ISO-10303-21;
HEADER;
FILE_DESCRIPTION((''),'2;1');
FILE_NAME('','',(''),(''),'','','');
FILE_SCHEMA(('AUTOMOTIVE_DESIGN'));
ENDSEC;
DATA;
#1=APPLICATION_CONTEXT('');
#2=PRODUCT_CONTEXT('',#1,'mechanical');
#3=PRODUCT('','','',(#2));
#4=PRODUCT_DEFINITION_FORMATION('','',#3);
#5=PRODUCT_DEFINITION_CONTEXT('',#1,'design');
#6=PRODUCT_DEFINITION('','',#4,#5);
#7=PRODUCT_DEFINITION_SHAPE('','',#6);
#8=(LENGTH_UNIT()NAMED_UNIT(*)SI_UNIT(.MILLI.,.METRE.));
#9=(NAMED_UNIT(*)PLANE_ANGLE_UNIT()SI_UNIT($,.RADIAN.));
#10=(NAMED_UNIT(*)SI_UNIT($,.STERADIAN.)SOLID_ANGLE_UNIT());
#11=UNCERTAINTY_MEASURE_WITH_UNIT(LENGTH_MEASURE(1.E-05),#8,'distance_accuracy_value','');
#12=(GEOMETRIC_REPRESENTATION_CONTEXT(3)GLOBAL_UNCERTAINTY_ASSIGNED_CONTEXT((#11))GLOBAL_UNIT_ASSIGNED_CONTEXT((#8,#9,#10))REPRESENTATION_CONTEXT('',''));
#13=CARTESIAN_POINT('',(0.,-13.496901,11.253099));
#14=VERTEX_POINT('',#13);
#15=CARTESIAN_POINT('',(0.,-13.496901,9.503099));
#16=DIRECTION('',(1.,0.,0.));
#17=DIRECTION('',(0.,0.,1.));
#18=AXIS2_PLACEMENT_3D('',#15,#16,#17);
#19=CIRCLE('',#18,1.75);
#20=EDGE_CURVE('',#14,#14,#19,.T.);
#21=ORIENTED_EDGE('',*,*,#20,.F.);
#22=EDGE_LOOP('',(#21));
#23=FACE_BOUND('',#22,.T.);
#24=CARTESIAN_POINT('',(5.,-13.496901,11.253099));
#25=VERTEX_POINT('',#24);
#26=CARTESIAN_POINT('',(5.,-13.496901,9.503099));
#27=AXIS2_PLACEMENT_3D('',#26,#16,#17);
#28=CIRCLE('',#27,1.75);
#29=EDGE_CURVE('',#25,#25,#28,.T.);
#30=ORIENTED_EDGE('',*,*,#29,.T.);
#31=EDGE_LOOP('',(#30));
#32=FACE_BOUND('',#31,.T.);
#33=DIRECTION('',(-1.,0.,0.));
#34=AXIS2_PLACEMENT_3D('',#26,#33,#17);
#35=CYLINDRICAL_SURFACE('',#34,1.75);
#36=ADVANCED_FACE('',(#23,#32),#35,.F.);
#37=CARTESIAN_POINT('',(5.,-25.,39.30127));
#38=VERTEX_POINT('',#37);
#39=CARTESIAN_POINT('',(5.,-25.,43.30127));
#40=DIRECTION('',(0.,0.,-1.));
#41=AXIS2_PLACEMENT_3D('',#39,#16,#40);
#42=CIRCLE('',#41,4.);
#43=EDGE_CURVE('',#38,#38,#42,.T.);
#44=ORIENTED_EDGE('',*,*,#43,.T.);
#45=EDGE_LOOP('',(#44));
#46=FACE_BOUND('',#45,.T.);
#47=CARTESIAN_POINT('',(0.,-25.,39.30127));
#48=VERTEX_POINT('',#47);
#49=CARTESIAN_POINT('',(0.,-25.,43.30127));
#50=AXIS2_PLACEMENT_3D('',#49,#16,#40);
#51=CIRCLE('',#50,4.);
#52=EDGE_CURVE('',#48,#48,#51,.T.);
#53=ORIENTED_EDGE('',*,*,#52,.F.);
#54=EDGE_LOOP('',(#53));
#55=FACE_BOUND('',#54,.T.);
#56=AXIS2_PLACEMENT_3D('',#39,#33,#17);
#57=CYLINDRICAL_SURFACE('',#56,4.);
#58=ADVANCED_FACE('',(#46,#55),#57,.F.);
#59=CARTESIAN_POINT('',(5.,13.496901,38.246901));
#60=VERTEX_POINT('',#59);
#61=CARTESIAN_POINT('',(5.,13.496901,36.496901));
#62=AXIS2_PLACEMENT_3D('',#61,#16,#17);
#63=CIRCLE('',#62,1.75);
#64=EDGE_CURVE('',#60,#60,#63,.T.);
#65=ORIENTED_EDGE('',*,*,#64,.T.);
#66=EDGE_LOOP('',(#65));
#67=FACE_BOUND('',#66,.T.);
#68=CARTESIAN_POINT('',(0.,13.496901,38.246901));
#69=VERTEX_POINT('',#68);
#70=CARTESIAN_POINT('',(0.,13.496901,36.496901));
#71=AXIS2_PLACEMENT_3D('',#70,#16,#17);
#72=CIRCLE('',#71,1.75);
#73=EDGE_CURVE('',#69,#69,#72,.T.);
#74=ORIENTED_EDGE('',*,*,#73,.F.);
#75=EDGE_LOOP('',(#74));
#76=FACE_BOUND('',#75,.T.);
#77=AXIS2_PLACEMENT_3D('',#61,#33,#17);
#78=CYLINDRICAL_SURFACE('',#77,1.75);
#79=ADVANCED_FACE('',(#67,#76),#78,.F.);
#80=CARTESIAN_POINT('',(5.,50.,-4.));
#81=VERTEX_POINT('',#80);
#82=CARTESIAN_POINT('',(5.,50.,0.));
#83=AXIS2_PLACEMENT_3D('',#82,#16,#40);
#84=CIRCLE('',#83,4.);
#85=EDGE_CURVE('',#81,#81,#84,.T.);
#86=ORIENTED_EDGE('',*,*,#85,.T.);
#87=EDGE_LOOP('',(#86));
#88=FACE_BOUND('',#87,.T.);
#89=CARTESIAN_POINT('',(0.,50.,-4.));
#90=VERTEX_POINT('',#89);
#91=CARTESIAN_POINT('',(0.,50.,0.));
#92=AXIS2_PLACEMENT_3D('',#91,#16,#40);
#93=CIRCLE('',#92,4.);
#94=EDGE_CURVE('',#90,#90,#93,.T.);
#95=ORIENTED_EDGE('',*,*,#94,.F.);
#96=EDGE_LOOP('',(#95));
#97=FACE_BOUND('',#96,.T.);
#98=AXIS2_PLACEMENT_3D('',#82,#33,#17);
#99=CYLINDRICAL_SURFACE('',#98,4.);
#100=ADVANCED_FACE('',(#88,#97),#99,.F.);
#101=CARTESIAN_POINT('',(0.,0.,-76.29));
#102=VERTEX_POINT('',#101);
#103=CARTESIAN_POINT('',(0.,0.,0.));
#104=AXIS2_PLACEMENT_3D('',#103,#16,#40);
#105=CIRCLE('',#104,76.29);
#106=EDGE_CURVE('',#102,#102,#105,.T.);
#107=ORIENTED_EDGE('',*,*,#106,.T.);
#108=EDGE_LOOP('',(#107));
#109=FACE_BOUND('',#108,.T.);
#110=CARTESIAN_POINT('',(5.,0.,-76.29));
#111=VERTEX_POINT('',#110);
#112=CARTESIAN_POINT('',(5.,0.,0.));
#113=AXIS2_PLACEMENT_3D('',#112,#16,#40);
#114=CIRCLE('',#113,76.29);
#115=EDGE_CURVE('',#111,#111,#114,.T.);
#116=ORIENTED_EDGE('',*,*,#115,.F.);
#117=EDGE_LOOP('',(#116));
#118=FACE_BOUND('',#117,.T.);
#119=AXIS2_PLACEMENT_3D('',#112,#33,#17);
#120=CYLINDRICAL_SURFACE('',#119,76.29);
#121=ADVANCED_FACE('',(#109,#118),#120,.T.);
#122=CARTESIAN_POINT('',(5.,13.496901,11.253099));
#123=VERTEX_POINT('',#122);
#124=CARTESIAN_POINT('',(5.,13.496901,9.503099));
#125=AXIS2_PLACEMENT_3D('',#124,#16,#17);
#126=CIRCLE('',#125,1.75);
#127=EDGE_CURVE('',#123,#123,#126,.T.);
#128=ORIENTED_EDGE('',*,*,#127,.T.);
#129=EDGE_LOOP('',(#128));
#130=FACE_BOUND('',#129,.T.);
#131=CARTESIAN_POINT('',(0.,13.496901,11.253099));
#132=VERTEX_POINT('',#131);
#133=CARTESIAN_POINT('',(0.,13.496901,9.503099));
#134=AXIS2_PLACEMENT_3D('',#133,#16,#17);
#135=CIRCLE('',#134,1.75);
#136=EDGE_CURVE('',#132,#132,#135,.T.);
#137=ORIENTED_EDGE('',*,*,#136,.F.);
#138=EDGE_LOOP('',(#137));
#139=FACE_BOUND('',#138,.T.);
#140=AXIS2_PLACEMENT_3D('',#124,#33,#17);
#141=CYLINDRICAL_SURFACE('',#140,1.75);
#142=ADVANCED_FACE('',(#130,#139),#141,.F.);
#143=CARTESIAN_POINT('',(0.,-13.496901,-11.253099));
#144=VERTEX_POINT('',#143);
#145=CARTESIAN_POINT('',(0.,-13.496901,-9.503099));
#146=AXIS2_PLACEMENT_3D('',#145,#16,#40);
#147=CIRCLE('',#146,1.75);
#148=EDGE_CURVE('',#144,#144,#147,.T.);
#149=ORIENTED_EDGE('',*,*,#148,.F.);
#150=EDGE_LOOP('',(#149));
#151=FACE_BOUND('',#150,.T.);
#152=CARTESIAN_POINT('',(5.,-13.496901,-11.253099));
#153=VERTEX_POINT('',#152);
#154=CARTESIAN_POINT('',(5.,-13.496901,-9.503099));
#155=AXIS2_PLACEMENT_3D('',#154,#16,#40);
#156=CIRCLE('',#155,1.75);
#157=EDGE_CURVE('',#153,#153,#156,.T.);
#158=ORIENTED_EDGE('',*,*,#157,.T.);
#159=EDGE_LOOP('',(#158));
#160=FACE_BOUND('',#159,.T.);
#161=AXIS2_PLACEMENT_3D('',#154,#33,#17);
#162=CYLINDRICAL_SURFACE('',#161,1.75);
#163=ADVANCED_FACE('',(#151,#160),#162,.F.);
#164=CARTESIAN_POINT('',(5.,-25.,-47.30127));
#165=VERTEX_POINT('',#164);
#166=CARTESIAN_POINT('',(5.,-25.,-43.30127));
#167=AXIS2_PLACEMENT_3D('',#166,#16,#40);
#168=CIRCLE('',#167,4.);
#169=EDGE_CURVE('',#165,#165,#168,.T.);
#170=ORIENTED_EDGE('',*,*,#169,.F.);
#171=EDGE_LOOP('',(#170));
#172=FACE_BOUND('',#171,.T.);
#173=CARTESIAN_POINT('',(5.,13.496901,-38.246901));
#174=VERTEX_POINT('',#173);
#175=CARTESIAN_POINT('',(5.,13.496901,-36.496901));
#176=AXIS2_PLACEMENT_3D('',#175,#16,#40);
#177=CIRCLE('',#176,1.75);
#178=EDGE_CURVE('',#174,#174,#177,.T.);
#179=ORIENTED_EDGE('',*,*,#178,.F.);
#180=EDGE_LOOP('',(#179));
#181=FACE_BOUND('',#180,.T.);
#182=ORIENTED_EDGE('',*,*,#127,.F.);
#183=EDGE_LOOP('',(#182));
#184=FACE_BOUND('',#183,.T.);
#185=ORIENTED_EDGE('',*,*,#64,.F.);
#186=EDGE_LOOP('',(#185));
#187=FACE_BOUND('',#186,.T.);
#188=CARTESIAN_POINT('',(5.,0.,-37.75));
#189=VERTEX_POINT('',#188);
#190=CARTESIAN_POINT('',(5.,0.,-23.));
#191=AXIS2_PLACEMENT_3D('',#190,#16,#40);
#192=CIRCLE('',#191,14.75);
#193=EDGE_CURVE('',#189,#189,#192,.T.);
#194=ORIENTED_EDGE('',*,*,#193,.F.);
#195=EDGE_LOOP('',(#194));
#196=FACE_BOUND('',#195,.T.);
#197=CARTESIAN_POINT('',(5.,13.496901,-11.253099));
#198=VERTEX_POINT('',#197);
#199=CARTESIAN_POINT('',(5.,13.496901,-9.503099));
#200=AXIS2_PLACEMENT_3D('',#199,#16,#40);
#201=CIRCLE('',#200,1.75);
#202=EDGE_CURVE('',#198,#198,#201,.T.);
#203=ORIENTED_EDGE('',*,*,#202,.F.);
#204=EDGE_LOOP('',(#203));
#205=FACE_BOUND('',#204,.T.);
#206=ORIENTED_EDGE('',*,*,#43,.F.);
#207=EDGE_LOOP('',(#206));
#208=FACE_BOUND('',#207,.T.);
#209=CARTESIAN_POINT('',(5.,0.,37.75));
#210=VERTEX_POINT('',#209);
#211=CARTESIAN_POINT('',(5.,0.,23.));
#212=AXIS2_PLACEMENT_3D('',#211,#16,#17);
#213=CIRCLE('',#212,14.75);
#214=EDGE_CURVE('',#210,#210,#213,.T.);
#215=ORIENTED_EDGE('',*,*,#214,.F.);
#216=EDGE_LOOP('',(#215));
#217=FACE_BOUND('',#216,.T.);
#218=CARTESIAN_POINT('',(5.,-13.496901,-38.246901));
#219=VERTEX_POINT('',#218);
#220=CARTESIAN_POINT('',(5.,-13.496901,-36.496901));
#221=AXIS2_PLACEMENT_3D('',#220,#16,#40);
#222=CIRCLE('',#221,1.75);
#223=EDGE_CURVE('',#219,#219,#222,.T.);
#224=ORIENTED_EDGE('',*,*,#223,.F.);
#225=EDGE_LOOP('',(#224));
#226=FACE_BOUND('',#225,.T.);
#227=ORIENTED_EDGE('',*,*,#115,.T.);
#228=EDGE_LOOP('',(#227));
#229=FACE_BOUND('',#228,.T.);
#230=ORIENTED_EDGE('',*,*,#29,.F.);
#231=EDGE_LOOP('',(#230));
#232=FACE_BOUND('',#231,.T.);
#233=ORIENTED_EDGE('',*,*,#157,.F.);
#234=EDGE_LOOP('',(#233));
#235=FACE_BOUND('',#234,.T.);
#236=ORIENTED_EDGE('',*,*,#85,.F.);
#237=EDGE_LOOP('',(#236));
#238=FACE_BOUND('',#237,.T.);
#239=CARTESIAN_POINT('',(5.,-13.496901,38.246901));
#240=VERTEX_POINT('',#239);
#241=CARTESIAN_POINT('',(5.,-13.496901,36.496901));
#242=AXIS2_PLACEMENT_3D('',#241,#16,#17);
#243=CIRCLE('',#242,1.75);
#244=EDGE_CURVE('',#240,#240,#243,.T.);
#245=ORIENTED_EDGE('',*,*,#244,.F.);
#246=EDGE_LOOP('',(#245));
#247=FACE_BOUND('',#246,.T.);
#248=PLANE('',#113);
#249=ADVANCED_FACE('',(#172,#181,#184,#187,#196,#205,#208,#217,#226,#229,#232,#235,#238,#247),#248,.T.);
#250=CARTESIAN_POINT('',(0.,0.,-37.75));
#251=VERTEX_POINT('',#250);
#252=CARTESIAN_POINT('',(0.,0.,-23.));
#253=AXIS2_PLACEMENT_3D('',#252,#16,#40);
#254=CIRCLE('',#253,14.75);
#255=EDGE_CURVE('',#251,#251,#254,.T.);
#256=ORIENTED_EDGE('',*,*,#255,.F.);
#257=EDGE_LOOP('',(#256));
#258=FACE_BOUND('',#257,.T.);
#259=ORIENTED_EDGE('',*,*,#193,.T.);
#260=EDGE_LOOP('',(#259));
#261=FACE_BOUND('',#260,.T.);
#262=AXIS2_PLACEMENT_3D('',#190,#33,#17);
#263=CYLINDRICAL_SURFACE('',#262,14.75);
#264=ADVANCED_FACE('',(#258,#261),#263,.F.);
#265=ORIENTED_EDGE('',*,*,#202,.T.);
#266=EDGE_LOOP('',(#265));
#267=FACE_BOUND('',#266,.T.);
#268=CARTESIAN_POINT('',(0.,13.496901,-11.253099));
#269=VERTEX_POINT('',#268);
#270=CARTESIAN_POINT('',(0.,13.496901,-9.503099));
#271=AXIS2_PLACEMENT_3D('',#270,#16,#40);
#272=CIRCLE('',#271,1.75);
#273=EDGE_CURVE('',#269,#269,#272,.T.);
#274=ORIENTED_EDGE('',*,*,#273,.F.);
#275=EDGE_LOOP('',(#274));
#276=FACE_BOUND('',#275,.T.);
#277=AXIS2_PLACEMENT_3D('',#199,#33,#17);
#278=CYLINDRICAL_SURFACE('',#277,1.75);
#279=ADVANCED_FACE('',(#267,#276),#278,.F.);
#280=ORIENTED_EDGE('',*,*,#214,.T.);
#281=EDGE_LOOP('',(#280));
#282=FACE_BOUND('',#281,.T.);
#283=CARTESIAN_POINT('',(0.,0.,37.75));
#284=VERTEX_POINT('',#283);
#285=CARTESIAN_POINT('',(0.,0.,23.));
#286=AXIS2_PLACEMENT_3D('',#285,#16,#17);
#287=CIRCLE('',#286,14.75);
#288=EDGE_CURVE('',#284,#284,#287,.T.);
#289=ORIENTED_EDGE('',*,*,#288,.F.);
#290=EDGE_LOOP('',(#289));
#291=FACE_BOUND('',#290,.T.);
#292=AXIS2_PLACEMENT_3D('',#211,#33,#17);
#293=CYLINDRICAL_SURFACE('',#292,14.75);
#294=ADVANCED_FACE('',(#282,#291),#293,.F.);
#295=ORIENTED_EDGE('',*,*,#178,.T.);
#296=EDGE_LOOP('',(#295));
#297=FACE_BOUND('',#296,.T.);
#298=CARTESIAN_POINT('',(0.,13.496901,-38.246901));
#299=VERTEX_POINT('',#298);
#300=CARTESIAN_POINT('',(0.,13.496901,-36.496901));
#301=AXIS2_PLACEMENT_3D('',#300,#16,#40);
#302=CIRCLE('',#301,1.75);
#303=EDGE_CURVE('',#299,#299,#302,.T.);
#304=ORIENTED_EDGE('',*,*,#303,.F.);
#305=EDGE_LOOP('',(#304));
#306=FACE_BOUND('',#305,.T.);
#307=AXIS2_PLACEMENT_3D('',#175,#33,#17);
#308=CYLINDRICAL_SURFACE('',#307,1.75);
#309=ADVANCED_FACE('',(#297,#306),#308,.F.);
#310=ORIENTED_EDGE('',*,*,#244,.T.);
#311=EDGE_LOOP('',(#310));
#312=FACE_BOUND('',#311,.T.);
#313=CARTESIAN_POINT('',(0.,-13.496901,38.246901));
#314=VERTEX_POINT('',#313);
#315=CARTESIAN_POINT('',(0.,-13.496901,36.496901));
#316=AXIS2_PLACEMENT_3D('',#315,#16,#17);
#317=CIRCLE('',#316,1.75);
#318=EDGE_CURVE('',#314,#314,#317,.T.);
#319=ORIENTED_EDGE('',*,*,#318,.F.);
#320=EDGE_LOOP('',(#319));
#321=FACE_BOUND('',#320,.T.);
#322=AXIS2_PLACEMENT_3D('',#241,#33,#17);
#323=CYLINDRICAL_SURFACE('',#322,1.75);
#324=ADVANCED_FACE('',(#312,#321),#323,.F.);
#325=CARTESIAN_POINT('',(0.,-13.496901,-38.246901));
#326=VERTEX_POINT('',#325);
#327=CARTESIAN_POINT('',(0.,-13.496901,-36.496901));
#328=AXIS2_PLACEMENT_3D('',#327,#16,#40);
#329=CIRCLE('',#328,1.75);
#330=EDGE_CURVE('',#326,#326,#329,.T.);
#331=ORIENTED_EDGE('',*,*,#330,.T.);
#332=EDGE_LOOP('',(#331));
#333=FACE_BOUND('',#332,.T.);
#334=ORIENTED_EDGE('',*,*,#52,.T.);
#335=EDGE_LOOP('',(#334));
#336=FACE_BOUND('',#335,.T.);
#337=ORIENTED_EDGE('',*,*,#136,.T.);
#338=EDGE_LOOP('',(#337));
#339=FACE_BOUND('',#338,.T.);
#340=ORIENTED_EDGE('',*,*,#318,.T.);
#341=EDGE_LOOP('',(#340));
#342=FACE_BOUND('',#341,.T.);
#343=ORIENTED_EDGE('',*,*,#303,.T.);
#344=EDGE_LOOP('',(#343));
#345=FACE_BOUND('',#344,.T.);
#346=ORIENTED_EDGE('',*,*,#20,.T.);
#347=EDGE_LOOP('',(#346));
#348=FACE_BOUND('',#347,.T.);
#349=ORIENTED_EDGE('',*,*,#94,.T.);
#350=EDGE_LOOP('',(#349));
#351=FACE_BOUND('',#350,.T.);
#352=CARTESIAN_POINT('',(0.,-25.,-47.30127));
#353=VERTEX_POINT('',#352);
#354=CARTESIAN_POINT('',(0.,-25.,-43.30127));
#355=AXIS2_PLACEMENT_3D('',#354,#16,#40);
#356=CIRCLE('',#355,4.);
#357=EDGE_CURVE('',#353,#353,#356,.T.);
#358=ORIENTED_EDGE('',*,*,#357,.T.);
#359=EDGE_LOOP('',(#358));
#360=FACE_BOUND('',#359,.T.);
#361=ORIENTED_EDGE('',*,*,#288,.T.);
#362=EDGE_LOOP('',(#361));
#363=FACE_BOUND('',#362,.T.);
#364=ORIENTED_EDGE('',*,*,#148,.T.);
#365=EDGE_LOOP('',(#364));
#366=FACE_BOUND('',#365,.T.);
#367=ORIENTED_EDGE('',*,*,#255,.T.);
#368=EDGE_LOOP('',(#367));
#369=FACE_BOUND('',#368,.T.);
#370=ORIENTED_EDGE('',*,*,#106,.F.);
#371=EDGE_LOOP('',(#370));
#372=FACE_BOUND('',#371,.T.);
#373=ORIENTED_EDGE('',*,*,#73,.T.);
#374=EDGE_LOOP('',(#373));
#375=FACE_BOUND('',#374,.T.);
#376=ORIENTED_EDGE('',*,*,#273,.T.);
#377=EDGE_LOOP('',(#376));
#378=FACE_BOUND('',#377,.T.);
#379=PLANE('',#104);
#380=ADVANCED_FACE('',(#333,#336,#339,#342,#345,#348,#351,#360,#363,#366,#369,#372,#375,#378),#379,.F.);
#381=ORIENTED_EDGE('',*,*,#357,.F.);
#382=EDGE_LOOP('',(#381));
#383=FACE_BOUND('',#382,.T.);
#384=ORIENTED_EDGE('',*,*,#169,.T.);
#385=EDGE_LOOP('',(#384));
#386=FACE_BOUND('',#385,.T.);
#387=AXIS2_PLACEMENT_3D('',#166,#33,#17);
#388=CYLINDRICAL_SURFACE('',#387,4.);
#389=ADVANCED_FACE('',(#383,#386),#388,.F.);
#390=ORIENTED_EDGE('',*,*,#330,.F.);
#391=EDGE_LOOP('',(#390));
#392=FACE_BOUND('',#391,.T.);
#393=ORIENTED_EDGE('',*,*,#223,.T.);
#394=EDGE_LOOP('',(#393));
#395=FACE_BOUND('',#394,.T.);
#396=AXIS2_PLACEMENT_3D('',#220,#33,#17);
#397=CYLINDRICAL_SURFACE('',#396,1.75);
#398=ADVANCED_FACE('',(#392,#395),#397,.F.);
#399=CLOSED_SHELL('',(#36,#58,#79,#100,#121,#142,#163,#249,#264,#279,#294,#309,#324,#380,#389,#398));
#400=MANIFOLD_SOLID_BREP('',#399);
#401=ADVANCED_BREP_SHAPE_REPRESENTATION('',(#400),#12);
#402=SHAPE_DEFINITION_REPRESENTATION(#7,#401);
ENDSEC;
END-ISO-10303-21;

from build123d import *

# Parameters (mm, degrees)
SKETCH1_R           = 76.29
SKETCH1_R_2         = 4
SKETCH1_R_3         = 14.75
SKETCH1_R_4         = 1.75
BOSS_EXTRUDE1_DEPTH = 5


with BuildPart() as part:
    # Sketch1 → Boss-Extrude1 (new body)
    with BuildSketch(Plane(origin=(0, 0, 0), x_dir=(0, 0, -1), z_dir=(1, 0, 0))):
        Circle(SKETCH1_R)
        with Locations((0, 50)):
            Circle(SKETCH1_R_2, mode=Mode.SUBTRACT)
        with Locations((43.301270189, -25)):
            Circle(SKETCH1_R_2, mode=Mode.SUBTRACT)
        with Locations((-43.301270189, -25)):
            Circle(SKETCH1_R_2, mode=Mode.SUBTRACT)
        with Locations((23, 0)):
            Circle(SKETCH1_R_3, mode=Mode.SUBTRACT)
        with Locations(Location((-23, 0, 0), (0, 0, 180))):
            Circle(SKETCH1_R_3, mode=Mode.SUBTRACT)
        with Locations((36.496900686, 13.496900686)):
            Circle(SKETCH1_R_4, mode=Mode.SUBTRACT)
        with Locations((36.496900686, -13.496900686)):
            Circle(SKETCH1_R_4, mode=Mode.SUBTRACT)
        with Locations((9.503099314, -13.496900686)):
            Circle(SKETCH1_R_4, mode=Mode.SUBTRACT)
        with Locations((9.503099314, 13.496900686)):
            Circle(SKETCH1_R_4, mode=Mode.SUBTRACT)
        with Locations(Location((-36.496900686, -13.496900686, 0), (0, 0, 180))):
            Circle(SKETCH1_R_4, mode=Mode.SUBTRACT)
        with Locations(Location((-9.503099314, -13.496900686, 0), (0, 0, 180))):
            Circle(SKETCH1_R_4, mode=Mode.SUBTRACT)
        with Locations(Location((-9.503099314, 13.496900686, 0), (0, 0, 180))):
            Circle(SKETCH1_R_4, mode=Mode.SUBTRACT)
        with Locations(Location((-36.496900686, 13.496900686, 0), (0, 0, 180))):
            Circle(SKETCH1_R_4, mode=Mode.SUBTRACT)
    extrude(amount=BOSS_EXTRUDE1_DEPTH)


solid = part.part
